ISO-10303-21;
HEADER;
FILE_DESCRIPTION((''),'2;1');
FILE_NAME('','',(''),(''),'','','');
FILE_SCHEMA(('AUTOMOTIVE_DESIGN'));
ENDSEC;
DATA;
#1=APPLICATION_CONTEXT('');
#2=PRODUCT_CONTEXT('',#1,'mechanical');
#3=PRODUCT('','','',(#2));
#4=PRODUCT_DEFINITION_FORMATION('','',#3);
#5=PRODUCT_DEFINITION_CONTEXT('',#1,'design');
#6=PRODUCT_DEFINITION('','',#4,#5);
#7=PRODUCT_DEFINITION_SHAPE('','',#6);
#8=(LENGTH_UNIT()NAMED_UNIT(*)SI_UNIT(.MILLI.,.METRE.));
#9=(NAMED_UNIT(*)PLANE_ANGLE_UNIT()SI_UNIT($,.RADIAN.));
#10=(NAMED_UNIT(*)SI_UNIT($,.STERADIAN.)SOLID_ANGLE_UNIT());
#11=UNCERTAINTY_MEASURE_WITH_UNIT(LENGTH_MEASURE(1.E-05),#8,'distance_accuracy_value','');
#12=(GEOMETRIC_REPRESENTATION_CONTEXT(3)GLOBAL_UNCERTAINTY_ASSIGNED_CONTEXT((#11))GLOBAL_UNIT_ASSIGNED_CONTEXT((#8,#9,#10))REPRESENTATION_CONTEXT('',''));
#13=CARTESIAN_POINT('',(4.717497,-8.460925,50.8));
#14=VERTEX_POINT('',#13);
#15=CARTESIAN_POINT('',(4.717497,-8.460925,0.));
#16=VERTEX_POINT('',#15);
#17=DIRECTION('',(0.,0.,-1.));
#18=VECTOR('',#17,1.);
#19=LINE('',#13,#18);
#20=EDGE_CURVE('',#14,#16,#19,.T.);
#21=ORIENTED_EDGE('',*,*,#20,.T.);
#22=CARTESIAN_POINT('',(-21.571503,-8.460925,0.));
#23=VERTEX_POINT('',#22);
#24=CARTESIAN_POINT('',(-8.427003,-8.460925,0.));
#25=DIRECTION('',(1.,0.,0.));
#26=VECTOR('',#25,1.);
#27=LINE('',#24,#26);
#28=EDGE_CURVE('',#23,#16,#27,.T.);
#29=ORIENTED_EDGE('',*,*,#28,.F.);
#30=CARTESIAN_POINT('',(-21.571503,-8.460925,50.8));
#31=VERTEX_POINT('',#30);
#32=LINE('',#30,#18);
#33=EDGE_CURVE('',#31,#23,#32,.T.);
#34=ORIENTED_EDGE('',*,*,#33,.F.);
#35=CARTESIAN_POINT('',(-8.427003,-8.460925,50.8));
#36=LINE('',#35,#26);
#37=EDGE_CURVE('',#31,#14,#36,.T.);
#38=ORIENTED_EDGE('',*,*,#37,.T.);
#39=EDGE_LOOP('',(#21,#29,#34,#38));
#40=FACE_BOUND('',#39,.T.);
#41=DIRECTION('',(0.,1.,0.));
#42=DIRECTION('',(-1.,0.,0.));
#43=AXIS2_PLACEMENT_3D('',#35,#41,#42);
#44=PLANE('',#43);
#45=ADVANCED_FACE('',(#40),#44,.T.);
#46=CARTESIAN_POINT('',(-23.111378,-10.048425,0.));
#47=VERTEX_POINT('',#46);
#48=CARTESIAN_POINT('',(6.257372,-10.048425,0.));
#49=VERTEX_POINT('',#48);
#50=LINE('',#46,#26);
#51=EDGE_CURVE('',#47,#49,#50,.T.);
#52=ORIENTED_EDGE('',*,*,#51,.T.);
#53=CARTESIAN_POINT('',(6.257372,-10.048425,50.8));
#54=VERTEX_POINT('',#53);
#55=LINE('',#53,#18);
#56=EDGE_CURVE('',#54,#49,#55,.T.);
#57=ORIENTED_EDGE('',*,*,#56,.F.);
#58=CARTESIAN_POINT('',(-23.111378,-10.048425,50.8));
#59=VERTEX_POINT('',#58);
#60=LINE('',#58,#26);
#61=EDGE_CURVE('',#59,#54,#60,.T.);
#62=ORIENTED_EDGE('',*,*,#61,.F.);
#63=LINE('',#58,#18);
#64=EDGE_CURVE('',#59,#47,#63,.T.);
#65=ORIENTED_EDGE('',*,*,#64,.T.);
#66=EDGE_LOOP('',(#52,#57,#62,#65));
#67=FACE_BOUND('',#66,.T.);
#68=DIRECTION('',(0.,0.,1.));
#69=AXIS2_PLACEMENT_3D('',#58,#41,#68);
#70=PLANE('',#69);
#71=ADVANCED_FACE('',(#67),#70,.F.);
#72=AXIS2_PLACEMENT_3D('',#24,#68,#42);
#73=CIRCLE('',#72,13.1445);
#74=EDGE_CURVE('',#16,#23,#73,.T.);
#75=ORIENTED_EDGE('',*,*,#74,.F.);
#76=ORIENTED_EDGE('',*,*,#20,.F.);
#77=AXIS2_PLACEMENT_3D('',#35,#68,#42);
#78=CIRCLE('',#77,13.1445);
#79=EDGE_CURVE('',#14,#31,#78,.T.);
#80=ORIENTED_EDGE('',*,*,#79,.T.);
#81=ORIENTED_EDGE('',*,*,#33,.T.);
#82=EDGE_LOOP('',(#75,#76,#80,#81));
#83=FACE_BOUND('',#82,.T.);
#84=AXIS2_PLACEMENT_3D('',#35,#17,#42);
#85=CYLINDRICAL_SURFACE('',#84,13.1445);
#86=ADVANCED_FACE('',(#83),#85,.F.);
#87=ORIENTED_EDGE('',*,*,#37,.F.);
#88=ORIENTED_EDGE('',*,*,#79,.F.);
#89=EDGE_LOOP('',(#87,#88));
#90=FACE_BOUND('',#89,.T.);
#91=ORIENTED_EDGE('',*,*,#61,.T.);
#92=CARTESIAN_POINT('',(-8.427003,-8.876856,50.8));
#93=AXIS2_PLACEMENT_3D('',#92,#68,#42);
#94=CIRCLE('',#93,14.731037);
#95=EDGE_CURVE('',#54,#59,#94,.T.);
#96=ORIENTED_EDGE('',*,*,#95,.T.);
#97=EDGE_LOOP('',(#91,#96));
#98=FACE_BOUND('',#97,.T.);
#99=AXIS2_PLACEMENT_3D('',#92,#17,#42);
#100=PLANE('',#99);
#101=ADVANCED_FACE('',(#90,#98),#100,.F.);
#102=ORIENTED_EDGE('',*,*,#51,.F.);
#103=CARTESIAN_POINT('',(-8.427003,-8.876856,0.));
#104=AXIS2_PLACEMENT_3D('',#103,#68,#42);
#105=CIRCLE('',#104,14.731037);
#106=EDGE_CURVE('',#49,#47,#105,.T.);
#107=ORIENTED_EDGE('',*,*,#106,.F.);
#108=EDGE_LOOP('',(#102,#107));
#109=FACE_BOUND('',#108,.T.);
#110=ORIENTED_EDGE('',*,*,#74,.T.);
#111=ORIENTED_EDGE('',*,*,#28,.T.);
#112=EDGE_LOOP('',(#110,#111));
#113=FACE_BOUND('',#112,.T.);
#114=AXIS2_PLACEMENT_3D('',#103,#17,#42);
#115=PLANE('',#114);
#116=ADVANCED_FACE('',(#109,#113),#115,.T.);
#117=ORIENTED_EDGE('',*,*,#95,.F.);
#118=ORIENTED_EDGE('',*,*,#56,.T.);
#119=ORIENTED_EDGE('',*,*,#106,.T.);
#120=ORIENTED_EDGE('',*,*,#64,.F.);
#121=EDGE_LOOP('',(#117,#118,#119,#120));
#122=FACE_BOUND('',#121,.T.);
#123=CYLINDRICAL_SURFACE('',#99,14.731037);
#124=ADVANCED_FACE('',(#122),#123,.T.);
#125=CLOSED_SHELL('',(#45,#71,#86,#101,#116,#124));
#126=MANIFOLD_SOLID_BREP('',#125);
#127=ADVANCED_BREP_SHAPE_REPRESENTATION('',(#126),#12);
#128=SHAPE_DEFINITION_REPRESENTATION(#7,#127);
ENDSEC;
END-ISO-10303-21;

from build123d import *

# Parameters (mm, degrees)
BOSS_EXTRUDE2_DEPTH = 50.8


with BuildPart() as part:
    # Sketch1 → Boss-Extrude2 (new body)
    with BuildSketch(Plane.XY):
        with BuildLine():
            Line((-23.111377793, -10.048425127), (6.257372207, -10.048425127))
            ThreePointArc((6.257372207, -10.048425127), (-8.427002793, 5.85418124), (-23.111377793, -10.048425127))
        make_face()
        with BuildLine():
            Line((-8.427002793, -8.460925127), (-21.571502793, -8.460925127))
            ThreePointArc((-21.571502793, -8.460925127), (-8.427002793, 4.683574873), (4.717497207, -8.460925127))
            Line((4.717497207, -8.460925127), (-8.427002793, -8.460925127))
        make_face(mode=Mode.SUBTRACT)
    extrude(amount=BOSS_EXTRUDE2_DEPTH)


solid = part.part
